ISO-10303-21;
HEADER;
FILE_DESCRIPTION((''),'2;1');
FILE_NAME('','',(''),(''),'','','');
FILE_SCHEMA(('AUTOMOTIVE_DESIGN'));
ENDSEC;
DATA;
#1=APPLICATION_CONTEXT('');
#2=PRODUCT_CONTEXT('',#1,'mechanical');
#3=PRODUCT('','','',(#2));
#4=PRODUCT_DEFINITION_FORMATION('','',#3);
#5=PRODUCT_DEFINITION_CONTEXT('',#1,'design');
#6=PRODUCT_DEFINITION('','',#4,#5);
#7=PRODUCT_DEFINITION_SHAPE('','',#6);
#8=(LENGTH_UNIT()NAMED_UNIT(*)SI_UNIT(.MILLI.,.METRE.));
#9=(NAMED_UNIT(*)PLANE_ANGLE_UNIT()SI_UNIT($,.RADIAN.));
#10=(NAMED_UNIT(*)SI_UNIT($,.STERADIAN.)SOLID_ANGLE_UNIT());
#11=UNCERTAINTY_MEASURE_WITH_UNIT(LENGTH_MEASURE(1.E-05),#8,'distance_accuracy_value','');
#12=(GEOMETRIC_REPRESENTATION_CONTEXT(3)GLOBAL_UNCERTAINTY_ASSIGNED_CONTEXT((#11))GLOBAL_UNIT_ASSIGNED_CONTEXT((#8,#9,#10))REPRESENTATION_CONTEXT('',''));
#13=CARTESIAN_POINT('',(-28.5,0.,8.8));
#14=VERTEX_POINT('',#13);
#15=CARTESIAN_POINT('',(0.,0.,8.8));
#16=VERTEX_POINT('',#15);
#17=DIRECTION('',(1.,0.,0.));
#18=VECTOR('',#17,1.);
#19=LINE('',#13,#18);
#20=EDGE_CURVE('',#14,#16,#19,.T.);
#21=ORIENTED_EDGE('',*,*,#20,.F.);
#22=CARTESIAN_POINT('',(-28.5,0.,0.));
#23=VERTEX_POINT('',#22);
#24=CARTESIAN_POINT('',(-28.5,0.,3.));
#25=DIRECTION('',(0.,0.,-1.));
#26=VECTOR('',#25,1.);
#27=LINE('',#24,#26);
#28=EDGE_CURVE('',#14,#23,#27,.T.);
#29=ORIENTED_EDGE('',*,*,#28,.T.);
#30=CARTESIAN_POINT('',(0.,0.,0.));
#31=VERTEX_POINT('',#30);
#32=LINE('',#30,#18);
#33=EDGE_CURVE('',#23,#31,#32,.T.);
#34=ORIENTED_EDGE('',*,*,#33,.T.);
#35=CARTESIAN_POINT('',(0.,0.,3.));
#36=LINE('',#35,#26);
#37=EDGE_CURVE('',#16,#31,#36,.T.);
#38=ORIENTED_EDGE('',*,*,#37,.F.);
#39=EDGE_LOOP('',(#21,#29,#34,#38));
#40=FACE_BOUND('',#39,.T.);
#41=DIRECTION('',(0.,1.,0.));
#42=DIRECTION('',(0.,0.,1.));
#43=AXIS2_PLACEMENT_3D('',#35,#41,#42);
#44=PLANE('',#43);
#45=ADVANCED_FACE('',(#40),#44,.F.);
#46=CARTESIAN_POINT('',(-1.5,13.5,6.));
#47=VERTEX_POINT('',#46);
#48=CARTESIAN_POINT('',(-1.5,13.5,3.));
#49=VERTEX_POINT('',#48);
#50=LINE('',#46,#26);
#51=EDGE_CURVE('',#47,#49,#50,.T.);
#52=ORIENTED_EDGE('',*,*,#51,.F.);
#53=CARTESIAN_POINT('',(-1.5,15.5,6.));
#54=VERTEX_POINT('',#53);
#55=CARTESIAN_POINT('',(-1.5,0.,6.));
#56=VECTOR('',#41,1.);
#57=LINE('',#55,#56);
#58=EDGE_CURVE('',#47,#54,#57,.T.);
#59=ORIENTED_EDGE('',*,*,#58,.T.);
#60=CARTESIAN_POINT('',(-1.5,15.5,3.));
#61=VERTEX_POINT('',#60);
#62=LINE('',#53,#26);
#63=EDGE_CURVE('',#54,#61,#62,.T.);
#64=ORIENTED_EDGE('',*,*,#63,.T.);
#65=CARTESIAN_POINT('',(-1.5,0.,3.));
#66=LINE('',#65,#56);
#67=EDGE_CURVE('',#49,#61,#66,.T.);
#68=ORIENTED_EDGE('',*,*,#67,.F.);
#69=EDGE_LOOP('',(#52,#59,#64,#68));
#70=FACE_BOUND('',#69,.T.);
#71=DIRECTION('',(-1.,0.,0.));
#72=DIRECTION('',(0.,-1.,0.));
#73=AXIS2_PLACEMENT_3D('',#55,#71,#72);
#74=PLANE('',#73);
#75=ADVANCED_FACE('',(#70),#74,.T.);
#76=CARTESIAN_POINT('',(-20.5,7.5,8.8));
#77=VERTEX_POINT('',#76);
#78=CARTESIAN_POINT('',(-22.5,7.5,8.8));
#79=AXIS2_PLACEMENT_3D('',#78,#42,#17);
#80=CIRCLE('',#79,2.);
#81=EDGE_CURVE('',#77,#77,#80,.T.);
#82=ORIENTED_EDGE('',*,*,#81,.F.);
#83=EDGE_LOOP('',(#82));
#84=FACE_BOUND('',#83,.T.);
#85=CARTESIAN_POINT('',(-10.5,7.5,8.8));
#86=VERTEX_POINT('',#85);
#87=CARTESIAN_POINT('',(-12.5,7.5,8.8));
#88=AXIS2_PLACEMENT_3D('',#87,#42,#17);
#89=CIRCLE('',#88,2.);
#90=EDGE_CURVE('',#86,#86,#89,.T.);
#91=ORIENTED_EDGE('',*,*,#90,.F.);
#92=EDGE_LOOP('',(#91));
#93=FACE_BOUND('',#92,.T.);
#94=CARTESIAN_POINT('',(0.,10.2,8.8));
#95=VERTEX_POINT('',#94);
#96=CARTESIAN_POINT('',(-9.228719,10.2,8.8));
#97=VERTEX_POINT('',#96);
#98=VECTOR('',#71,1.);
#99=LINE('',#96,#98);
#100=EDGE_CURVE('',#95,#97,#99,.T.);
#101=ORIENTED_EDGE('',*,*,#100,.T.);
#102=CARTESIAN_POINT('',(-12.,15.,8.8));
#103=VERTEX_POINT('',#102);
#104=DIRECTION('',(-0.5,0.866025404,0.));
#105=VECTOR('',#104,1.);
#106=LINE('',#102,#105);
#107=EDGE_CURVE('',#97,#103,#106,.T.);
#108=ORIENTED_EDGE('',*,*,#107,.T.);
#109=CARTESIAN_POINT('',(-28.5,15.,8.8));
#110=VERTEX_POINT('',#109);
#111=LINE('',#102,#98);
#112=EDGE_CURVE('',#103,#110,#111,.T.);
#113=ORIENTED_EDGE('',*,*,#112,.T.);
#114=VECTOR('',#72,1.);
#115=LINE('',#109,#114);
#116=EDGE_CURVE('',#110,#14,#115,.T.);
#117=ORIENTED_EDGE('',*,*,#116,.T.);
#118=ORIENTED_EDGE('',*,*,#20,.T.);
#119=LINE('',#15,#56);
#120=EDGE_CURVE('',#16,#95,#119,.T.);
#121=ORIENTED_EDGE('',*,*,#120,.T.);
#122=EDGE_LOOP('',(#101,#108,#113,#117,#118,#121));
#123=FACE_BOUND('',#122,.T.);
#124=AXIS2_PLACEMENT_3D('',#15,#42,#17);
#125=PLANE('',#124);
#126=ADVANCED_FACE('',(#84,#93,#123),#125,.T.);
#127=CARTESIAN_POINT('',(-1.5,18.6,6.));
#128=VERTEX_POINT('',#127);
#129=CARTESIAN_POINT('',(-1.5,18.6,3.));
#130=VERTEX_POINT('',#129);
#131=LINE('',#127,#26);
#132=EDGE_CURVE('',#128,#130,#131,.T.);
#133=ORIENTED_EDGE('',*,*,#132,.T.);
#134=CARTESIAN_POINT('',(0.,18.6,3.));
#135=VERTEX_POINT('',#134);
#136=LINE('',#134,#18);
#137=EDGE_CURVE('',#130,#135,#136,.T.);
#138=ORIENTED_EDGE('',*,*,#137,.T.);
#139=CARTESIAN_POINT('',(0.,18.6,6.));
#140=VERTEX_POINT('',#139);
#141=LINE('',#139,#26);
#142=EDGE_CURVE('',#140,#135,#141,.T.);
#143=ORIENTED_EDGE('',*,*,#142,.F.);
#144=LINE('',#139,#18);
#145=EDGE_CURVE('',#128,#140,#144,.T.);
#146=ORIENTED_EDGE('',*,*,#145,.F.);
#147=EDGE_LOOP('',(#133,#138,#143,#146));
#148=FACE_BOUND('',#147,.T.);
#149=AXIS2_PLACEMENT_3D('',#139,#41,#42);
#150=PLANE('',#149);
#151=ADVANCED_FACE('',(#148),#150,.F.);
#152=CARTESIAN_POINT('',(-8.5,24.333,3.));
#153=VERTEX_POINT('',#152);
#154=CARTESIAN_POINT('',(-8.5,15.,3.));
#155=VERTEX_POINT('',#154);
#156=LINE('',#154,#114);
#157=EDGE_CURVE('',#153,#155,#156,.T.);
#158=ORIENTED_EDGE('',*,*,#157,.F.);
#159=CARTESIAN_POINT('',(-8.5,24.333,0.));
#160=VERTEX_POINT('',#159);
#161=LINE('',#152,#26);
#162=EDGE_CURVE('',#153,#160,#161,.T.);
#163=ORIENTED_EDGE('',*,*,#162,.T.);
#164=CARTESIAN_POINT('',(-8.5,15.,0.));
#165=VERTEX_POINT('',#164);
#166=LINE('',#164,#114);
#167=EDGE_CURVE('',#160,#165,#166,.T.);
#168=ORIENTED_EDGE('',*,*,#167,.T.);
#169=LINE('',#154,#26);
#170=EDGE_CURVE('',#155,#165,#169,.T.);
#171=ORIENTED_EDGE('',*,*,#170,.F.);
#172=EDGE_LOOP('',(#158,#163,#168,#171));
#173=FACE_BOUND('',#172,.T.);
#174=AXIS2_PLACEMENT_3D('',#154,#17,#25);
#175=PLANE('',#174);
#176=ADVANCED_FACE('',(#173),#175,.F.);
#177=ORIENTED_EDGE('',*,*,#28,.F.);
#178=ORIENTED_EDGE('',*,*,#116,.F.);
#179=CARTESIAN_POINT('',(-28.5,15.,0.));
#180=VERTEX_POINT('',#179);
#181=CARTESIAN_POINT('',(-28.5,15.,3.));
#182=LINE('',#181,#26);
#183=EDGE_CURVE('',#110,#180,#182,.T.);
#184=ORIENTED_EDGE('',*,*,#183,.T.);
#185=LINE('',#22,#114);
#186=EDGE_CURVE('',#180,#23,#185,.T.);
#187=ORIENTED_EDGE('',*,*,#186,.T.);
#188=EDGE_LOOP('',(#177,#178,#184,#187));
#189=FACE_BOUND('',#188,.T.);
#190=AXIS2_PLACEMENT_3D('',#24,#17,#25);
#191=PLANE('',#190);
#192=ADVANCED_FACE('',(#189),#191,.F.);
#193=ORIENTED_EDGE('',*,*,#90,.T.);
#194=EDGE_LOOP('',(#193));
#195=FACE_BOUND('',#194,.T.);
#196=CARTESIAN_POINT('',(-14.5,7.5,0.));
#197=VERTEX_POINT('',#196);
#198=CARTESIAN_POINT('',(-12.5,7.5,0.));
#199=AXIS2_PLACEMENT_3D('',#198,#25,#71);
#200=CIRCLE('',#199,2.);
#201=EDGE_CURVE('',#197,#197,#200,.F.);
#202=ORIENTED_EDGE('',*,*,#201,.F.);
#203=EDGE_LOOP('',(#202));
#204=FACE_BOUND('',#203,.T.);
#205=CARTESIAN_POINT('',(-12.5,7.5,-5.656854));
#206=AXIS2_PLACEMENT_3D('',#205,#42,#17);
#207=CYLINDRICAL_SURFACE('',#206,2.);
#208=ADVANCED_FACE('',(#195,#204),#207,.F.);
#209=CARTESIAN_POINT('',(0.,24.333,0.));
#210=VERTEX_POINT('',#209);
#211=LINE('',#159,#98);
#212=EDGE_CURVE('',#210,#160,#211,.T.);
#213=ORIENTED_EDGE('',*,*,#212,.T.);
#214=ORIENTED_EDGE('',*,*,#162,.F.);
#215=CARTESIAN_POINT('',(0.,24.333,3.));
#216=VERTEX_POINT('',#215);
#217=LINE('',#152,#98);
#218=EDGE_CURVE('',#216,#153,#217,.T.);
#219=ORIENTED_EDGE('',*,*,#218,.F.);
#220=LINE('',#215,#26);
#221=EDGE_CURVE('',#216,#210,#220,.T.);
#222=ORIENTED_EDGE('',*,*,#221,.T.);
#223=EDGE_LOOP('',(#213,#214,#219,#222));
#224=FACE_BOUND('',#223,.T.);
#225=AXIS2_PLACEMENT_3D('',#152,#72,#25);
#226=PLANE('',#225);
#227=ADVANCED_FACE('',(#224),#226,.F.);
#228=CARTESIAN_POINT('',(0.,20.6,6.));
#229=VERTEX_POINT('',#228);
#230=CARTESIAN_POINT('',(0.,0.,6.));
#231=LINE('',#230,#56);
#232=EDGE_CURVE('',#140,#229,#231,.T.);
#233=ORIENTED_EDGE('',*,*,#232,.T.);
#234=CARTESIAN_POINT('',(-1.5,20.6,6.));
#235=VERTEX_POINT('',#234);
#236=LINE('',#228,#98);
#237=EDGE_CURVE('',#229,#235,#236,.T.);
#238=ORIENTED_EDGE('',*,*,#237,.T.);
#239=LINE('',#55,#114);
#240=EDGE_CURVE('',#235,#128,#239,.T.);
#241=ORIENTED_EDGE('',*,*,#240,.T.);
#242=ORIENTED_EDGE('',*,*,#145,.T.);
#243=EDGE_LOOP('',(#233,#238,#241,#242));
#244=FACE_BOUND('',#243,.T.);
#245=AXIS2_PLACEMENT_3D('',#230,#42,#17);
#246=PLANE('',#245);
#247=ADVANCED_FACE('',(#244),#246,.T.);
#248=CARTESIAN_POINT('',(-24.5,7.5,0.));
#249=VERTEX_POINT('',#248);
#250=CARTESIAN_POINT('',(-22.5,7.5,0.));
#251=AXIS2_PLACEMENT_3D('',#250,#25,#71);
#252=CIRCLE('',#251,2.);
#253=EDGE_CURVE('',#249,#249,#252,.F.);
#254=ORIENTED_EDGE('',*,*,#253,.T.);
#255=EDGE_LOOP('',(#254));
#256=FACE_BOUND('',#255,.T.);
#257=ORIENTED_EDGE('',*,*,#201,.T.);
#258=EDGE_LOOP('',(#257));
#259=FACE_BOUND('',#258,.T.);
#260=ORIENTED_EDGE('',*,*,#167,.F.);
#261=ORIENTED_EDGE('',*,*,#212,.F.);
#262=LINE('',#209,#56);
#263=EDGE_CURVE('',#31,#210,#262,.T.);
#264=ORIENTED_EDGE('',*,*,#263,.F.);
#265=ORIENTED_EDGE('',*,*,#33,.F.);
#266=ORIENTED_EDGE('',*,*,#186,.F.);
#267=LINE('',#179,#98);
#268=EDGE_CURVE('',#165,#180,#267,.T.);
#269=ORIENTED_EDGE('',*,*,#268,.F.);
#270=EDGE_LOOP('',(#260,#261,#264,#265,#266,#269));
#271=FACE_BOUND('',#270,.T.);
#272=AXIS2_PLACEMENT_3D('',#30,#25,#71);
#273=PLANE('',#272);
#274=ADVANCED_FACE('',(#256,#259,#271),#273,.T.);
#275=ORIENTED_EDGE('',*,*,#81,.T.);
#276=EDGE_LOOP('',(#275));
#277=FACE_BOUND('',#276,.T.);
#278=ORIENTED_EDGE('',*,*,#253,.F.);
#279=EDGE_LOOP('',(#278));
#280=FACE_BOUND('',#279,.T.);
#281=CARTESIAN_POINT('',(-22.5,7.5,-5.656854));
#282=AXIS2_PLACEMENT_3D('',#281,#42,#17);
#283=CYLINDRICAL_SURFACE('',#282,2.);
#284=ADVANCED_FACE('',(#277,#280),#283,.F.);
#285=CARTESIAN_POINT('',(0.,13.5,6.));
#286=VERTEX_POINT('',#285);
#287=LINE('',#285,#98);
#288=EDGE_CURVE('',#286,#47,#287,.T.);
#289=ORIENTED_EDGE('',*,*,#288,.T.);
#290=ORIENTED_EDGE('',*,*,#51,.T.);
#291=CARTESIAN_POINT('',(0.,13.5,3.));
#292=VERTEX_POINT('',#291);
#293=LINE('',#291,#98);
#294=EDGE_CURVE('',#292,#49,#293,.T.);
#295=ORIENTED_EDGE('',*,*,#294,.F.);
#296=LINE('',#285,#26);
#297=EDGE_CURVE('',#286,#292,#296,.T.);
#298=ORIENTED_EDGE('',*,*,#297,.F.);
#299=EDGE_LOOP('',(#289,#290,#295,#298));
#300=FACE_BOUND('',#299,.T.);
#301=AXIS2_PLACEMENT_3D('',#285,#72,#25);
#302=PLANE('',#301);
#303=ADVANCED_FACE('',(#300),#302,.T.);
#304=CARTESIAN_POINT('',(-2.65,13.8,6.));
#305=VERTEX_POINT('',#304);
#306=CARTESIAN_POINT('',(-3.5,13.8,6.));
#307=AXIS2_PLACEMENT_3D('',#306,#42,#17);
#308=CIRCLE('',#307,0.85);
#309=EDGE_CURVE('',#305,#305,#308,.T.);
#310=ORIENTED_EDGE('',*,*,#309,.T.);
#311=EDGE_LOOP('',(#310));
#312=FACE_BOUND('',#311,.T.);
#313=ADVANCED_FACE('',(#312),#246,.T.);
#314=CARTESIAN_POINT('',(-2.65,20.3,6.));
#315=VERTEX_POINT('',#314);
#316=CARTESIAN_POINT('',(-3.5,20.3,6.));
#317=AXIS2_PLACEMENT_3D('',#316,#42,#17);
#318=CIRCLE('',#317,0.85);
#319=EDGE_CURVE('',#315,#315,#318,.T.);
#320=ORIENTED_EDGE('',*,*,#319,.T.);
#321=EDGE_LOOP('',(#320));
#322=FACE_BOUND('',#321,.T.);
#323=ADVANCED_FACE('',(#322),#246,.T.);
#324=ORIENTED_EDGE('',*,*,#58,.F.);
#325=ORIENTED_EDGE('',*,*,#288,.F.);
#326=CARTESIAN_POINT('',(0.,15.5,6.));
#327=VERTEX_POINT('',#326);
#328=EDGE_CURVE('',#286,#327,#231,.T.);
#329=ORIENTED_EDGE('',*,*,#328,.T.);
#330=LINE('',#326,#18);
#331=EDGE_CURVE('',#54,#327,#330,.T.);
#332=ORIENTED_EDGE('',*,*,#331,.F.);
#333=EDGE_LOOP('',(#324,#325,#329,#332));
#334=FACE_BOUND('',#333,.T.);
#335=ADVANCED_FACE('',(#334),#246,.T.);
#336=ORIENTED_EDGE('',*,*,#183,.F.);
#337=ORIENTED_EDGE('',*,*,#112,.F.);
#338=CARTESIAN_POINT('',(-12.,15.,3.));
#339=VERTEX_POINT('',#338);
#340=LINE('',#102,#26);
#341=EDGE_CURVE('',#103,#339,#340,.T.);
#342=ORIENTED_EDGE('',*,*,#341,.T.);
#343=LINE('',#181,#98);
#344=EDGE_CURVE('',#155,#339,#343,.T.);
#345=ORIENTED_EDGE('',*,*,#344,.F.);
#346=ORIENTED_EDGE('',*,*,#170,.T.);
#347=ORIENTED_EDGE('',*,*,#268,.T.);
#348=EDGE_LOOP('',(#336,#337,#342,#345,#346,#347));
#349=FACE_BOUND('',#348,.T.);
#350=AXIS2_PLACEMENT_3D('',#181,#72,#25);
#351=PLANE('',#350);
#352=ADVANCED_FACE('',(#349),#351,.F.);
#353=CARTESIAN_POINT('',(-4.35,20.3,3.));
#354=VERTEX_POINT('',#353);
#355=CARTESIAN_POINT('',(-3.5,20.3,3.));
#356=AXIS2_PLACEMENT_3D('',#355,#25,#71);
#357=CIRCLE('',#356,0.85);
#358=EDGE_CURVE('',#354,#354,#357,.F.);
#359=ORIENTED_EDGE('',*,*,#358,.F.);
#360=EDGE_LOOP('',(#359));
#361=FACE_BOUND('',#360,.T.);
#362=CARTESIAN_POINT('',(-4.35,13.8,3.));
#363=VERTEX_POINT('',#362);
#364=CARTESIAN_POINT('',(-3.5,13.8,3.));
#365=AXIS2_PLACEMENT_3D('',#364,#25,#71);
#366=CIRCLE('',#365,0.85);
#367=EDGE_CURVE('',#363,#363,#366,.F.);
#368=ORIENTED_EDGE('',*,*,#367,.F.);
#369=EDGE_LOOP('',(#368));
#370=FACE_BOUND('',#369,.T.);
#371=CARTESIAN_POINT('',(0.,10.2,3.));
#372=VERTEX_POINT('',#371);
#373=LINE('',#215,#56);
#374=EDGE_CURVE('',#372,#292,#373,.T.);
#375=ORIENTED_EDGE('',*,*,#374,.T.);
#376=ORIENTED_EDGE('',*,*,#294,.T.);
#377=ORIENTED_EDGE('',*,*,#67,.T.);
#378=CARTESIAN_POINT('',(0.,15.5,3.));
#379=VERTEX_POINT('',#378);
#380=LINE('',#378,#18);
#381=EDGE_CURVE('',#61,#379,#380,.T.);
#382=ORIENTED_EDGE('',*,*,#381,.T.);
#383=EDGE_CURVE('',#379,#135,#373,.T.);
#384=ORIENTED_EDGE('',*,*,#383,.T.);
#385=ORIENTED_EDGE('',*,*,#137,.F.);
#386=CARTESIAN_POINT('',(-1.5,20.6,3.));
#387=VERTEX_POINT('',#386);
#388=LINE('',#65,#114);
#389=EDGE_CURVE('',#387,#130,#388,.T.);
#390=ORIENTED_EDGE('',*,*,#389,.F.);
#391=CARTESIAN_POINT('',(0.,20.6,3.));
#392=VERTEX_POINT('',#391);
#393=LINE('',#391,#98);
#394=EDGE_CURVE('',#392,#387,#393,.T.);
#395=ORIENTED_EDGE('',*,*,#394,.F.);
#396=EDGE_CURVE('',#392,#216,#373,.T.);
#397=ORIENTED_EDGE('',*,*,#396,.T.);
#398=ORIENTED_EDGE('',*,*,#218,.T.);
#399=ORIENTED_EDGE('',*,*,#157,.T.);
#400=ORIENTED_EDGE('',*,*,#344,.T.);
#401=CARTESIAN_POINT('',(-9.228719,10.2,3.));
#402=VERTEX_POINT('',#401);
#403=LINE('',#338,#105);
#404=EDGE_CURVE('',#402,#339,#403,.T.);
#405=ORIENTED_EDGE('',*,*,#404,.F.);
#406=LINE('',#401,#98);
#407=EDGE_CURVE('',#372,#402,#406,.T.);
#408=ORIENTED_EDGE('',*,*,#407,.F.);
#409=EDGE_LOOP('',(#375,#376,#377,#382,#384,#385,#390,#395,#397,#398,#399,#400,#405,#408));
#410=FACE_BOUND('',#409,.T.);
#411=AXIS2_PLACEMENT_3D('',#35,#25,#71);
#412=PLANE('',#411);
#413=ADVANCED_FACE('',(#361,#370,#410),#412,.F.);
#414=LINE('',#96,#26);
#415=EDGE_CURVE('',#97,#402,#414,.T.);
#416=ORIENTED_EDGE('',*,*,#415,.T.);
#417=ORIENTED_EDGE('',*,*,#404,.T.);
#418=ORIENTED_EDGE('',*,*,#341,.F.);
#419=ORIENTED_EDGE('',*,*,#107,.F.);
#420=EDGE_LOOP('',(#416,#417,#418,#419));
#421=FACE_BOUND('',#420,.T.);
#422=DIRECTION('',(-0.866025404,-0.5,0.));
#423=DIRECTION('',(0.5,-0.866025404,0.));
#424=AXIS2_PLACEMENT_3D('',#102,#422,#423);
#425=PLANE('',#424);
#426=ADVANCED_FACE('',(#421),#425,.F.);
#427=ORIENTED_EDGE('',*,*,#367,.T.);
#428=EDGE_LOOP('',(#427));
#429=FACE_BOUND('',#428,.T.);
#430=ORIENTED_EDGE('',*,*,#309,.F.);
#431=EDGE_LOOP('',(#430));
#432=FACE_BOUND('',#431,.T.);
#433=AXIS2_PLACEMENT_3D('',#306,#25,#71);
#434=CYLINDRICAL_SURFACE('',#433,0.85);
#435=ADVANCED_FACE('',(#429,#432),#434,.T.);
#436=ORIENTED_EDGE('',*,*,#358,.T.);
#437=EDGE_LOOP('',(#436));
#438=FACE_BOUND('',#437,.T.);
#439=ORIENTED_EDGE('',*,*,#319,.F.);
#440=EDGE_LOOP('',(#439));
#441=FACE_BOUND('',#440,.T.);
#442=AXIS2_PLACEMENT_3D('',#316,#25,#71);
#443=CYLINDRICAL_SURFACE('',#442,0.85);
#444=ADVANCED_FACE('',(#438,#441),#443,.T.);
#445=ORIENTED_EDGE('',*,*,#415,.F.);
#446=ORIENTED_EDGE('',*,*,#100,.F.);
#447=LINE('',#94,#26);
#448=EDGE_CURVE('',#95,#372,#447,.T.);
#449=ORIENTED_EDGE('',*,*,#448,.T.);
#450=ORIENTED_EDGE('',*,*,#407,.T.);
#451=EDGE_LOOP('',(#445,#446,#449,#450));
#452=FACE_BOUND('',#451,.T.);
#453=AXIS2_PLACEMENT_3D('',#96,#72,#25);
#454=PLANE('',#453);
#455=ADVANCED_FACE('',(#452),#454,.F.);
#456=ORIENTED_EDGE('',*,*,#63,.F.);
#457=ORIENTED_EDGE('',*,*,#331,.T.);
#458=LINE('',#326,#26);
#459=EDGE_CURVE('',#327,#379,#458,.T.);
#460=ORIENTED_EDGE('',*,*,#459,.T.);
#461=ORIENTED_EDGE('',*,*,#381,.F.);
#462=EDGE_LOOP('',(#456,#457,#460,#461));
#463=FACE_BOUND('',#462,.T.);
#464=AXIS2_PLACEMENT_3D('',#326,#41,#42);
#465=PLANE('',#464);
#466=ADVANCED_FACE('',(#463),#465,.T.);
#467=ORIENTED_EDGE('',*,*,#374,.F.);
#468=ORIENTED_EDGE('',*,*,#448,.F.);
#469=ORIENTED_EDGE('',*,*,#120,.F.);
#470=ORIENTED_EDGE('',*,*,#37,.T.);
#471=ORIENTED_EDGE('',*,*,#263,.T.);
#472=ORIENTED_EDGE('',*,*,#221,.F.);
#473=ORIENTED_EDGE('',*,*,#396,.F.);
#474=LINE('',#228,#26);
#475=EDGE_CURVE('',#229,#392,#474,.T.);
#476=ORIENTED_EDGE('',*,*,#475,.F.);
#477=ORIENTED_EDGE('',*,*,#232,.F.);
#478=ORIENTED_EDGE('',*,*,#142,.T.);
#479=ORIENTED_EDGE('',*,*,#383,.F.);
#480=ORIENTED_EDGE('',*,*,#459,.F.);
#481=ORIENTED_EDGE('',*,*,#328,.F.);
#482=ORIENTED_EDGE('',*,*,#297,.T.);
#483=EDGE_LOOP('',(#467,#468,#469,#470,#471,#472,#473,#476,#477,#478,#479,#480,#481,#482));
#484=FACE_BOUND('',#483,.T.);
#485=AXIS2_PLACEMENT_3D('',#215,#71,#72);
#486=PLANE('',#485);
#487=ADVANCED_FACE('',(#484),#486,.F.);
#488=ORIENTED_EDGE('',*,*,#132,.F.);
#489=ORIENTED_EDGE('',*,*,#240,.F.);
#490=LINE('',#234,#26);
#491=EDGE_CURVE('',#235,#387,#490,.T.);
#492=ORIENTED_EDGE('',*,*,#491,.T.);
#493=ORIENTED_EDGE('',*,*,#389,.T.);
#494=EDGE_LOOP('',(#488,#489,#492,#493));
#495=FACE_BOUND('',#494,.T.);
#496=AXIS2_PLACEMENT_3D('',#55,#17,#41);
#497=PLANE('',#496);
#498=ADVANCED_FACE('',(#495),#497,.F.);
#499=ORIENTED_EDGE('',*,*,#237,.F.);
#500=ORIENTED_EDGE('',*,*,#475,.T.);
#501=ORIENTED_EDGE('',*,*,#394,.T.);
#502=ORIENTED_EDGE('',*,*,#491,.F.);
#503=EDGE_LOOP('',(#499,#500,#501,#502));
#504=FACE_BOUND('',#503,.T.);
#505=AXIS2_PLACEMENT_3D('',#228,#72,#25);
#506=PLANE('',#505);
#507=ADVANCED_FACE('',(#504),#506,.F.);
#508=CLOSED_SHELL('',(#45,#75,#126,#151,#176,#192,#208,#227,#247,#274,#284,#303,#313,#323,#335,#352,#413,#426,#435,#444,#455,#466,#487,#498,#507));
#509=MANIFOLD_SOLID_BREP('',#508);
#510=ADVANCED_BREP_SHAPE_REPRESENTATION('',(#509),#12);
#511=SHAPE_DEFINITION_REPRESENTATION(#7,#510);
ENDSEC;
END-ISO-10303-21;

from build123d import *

# Parameters (mm, degrees)
EXTRUDE_1_DEPTH     = 3
EXTRUDE_2_DEPTH     = 5.8
SKETCH_3_W          = 1.5
SKETCH_3_H          = 2
SKETCH_3_R          = 0.85
EXTRUDE_3_DEPTH     = 3
CUT_EXTRUDE_1_DEPTH = 8.8


with BuildPart() as part:
    # 草图1 → 凸台-拉伸1 (new body)
    with BuildSketch(Plane.XY):
        Polygon((0, 0), (-28.5, 0), (-28.5, 15), (-8.5, 15), (-8.5, 24.333), (0, 24.333), align=None)
    extrude(amount=EXTRUDE_1_DEPTH)

    # 草图2 → 凸台-拉伸2 (add)
    with BuildSketch(Plane.XY.offset(3)):
        Polygon((-12, 15), (-9.228718708, 10.2), (0, 10.2), (0, 0), (-28.5, 0), (-28.5, 15), align=None)
    extrude(amount=EXTRUDE_2_DEPTH)

    # 草图3 → 凸台-拉伸3 (add)
    with BuildSketch(Plane.XY.offset(3)):
        with Locations((-0.75, 19.6)):
            Rectangle(SKETCH_3_W, SKETCH_3_H)
        with Locations((-0.75, 14.5)):
            Rectangle(SKETCH_3_W, SKETCH_3_H)
        with Locations(Location((-3.5, 13.8, 0), (0, 0, 180))):
            Circle(SKETCH_3_R)
        with Locations(Location((-3.5, 20.3, 0), (0, 0, 180))):
            Circle(SKETCH_3_R)
    extrude(amount=EXTRUDE_3_DEPTH)

    # 草图5 → 切除-拉伸1 (cut)
    with BuildSketch(Plane.XY.offset(8.8)):
        with BuildLine():
            ThreePointArc((-20.5, 7.5), (-22.5, 9.5), (-24.5, 7.5))
            Line((-24.5, 7.5), (-20.5, 7.5))
        make_face()
        with BuildLine():
            Line((-20.5, 7.5), (-24.5, 7.5))
            ThreePointArc((-24.5, 7.5), (-22.5, 5.5), (-20.5, 7.5))
        make_face()
        with BuildLine():
            ThreePointArc((-10.5, 7.5), (-12.5, 9.5), (-14.5, 7.5))
            Line((-14.5, 7.5), (-10.5, 7.5))
        make_face()
        with BuildLine():
            Line((-10.5, 7.5), (-14.5, 7.5))
            ThreePointArc((-14.5, 7.5), (-12.5, 5.5), (-10.5, 7.5))
        make_face()
    extrude(amount=-CUT_EXTRUDE_1_DEPTH, mode=Mode.SUBTRACT)


solid = part.part
